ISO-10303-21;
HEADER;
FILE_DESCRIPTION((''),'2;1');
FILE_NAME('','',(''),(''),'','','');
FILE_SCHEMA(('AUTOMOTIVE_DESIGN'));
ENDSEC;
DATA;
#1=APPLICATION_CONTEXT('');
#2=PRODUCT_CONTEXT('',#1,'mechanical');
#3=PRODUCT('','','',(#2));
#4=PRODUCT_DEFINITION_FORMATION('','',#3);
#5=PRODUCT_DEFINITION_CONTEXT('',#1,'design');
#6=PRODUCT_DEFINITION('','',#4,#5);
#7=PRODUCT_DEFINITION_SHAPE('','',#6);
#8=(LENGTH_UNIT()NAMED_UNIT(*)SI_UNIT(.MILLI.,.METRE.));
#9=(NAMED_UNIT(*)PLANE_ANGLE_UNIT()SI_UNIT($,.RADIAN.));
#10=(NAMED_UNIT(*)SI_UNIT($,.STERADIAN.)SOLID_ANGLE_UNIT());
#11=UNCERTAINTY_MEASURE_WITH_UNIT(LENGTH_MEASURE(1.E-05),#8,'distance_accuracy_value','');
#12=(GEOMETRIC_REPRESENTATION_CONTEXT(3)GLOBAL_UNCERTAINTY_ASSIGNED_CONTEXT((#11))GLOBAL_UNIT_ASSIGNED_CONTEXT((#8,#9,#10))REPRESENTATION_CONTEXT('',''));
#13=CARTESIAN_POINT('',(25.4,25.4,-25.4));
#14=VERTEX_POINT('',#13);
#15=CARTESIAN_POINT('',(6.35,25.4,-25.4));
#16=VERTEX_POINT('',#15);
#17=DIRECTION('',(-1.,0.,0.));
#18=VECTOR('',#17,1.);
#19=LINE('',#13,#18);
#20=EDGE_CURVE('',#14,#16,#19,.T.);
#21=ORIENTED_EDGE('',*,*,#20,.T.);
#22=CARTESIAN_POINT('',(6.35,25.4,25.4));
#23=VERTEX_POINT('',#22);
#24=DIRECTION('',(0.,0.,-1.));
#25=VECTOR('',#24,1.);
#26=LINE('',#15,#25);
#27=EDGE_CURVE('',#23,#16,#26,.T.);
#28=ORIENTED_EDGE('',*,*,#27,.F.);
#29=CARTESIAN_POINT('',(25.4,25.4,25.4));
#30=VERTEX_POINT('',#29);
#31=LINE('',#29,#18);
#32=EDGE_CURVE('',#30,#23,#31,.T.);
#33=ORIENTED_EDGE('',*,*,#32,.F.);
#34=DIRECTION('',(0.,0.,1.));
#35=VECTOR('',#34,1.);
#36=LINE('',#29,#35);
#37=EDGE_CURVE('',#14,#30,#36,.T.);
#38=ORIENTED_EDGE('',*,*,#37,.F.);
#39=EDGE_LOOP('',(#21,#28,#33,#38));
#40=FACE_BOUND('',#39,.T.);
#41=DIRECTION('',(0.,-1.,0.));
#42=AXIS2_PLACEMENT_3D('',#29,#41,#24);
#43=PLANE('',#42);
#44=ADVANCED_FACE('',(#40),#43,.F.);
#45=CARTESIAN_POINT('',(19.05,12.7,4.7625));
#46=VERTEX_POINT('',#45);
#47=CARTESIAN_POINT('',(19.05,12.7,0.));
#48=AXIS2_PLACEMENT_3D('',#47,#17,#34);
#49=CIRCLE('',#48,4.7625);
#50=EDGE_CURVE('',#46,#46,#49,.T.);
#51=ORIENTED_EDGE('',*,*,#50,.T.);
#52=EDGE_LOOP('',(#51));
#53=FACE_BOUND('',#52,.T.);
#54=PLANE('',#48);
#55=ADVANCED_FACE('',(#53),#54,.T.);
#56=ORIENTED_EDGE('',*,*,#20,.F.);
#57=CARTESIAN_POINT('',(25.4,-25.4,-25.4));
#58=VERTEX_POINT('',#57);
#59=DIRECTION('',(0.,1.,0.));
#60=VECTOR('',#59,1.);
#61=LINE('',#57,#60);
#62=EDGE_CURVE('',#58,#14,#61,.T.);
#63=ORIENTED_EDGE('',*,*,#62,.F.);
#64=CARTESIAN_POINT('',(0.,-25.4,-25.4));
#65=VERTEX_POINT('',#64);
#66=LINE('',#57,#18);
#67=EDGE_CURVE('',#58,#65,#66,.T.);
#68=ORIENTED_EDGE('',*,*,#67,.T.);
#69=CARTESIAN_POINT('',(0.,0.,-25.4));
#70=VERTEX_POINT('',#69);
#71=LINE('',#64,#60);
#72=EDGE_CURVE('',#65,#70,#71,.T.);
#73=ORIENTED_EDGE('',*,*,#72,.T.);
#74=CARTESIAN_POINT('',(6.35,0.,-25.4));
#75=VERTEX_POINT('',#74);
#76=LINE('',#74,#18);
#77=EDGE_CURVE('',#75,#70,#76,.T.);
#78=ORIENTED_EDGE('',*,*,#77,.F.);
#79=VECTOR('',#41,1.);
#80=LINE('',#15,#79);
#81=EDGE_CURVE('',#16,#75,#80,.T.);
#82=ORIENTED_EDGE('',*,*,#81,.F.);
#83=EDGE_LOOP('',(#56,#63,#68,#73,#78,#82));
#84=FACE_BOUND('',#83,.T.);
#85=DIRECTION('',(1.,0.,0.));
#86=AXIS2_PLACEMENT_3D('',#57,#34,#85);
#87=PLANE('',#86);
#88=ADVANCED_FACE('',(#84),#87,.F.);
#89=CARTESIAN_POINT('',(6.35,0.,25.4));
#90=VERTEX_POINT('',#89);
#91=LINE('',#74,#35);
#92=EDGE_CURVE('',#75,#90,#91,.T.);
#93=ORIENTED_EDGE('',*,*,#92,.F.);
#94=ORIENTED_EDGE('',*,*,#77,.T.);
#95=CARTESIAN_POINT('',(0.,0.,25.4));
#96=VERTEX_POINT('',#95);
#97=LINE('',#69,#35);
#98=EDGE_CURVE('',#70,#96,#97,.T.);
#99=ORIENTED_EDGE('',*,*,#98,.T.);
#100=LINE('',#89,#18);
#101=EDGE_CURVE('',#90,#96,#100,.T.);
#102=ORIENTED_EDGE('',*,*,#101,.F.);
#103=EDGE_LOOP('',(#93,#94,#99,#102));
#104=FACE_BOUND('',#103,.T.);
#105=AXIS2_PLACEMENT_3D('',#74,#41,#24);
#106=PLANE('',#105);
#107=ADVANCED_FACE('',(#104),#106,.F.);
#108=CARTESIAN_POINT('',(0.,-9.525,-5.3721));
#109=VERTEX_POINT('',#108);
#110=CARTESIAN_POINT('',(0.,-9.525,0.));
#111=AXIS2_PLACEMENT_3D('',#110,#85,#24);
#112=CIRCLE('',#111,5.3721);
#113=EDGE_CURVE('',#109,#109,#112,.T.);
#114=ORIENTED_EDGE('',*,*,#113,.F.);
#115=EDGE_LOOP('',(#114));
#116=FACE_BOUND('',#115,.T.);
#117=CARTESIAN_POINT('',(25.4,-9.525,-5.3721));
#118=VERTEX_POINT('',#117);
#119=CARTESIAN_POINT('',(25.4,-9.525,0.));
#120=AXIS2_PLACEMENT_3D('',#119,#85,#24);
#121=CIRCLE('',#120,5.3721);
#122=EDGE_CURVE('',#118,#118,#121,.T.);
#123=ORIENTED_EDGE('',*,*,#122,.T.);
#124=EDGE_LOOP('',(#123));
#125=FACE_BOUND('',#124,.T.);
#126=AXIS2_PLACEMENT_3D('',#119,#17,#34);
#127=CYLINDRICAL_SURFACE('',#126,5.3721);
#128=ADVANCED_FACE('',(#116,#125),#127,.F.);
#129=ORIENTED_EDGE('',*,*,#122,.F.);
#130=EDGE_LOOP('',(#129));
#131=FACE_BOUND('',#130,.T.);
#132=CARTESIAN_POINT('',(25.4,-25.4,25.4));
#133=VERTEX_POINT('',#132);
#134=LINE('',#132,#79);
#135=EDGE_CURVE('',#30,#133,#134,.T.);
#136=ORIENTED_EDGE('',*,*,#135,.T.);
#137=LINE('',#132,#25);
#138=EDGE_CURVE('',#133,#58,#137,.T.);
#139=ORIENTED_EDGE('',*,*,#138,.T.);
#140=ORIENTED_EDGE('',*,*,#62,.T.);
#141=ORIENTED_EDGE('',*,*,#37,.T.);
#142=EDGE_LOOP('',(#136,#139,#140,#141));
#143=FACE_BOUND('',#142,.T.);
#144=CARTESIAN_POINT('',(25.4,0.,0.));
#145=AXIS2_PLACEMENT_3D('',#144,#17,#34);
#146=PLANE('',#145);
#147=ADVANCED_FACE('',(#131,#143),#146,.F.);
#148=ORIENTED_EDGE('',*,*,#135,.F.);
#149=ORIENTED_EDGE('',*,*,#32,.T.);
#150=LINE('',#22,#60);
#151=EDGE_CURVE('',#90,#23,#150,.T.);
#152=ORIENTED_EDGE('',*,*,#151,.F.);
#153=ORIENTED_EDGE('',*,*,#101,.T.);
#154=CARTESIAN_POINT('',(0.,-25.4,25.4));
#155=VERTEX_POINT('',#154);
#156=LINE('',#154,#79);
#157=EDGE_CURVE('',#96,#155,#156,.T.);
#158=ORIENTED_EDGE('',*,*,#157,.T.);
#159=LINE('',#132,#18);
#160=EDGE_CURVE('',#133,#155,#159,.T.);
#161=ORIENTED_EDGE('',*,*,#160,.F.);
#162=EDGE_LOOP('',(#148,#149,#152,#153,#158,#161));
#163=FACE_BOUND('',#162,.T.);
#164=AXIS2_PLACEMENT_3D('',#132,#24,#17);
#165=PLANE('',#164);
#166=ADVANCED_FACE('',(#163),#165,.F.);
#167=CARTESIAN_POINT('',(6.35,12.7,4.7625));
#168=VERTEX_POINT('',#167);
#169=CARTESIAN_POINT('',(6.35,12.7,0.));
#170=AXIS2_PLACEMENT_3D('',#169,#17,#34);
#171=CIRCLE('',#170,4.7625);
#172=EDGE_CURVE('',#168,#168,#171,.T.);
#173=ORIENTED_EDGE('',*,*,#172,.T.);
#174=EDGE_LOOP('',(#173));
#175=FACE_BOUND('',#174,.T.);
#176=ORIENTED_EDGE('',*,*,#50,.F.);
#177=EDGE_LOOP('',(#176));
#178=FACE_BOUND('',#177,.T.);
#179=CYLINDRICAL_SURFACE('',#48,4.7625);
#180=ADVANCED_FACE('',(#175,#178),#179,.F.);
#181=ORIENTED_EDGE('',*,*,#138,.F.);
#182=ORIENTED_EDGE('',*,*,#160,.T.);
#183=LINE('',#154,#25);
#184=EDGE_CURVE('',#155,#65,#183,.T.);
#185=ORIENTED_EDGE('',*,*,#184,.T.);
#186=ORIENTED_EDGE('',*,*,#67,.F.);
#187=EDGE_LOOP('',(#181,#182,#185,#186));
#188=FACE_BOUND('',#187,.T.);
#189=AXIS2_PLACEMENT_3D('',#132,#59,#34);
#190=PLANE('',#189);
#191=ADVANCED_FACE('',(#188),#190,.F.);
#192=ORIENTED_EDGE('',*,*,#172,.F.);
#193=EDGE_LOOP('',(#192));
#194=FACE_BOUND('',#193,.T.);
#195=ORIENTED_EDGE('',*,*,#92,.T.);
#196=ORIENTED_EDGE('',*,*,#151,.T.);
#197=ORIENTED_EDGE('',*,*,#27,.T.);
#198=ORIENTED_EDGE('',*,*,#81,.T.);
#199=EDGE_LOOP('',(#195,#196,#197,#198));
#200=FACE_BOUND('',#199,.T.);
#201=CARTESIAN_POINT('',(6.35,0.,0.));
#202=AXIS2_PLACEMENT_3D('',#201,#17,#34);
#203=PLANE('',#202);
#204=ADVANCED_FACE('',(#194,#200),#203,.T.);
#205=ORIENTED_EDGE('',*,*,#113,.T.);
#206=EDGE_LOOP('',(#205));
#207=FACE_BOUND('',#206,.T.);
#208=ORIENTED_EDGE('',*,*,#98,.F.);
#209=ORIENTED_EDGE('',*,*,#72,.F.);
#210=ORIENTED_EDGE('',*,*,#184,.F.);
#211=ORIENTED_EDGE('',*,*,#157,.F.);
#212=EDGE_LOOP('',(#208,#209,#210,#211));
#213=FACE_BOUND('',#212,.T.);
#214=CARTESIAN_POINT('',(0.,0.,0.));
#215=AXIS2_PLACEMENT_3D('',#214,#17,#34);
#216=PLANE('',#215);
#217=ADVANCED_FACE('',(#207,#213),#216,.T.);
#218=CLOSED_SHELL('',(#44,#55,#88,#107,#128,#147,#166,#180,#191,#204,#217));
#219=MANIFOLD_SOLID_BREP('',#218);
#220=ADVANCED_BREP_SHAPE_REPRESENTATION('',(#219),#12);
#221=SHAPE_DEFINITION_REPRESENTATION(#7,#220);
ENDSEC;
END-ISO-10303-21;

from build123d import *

# Parameters (mm, degrees)
SKETCH1_W           = 50.8
SKETCH1_H           = 50.8
SKETCH1_R           = 5.3721
BOSS_EXTRUDE1_DEPTH = 25.4
SKETCH2_W           = 50.8
SKETCH2_H           = 25.4
CUT_EXTRUDE1_DEPTH  = 6.35
SKETCH3_R           = 4.7625
CUT_EXTRUDE2_DEPTH  = 12.7


with BuildPart() as part:
    # Sketch1 → Boss-Extrude1 (new body)
    with BuildSketch(Plane(origin=(0, 0, 0), x_dir=(0, 0, -1), z_dir=(1, 0, 0))):
        Rectangle(SKETCH1_W, SKETCH1_H)
        with Locations((0, -9.525)):
            Circle(SKETCH1_R, mode=Mode.SUBTRACT)
    extrude(amount=BOSS_EXTRUDE1_DEPTH)

    # Sketch2 → Cut-Extrude1 (cut)
    with BuildSketch(Plane.ZY):
        with Locations((0, 12.7)):
            Rectangle(SKETCH2_W, SKETCH2_H)
    extrude(amount=-CUT_EXTRUDE1_DEPTH, mode=Mode.SUBTRACT)

    # Sketch3 → Cut-Extrude2 (cut)
    with BuildSketch(Plane.ZY.offset(-6.35)):
        with Locations((0, 12.7)):
            Circle(SKETCH3_R)
    extrude(amount=-CUT_EXTRUDE2_DEPTH, mode=Mode.SUBTRACT)


solid = part.part
